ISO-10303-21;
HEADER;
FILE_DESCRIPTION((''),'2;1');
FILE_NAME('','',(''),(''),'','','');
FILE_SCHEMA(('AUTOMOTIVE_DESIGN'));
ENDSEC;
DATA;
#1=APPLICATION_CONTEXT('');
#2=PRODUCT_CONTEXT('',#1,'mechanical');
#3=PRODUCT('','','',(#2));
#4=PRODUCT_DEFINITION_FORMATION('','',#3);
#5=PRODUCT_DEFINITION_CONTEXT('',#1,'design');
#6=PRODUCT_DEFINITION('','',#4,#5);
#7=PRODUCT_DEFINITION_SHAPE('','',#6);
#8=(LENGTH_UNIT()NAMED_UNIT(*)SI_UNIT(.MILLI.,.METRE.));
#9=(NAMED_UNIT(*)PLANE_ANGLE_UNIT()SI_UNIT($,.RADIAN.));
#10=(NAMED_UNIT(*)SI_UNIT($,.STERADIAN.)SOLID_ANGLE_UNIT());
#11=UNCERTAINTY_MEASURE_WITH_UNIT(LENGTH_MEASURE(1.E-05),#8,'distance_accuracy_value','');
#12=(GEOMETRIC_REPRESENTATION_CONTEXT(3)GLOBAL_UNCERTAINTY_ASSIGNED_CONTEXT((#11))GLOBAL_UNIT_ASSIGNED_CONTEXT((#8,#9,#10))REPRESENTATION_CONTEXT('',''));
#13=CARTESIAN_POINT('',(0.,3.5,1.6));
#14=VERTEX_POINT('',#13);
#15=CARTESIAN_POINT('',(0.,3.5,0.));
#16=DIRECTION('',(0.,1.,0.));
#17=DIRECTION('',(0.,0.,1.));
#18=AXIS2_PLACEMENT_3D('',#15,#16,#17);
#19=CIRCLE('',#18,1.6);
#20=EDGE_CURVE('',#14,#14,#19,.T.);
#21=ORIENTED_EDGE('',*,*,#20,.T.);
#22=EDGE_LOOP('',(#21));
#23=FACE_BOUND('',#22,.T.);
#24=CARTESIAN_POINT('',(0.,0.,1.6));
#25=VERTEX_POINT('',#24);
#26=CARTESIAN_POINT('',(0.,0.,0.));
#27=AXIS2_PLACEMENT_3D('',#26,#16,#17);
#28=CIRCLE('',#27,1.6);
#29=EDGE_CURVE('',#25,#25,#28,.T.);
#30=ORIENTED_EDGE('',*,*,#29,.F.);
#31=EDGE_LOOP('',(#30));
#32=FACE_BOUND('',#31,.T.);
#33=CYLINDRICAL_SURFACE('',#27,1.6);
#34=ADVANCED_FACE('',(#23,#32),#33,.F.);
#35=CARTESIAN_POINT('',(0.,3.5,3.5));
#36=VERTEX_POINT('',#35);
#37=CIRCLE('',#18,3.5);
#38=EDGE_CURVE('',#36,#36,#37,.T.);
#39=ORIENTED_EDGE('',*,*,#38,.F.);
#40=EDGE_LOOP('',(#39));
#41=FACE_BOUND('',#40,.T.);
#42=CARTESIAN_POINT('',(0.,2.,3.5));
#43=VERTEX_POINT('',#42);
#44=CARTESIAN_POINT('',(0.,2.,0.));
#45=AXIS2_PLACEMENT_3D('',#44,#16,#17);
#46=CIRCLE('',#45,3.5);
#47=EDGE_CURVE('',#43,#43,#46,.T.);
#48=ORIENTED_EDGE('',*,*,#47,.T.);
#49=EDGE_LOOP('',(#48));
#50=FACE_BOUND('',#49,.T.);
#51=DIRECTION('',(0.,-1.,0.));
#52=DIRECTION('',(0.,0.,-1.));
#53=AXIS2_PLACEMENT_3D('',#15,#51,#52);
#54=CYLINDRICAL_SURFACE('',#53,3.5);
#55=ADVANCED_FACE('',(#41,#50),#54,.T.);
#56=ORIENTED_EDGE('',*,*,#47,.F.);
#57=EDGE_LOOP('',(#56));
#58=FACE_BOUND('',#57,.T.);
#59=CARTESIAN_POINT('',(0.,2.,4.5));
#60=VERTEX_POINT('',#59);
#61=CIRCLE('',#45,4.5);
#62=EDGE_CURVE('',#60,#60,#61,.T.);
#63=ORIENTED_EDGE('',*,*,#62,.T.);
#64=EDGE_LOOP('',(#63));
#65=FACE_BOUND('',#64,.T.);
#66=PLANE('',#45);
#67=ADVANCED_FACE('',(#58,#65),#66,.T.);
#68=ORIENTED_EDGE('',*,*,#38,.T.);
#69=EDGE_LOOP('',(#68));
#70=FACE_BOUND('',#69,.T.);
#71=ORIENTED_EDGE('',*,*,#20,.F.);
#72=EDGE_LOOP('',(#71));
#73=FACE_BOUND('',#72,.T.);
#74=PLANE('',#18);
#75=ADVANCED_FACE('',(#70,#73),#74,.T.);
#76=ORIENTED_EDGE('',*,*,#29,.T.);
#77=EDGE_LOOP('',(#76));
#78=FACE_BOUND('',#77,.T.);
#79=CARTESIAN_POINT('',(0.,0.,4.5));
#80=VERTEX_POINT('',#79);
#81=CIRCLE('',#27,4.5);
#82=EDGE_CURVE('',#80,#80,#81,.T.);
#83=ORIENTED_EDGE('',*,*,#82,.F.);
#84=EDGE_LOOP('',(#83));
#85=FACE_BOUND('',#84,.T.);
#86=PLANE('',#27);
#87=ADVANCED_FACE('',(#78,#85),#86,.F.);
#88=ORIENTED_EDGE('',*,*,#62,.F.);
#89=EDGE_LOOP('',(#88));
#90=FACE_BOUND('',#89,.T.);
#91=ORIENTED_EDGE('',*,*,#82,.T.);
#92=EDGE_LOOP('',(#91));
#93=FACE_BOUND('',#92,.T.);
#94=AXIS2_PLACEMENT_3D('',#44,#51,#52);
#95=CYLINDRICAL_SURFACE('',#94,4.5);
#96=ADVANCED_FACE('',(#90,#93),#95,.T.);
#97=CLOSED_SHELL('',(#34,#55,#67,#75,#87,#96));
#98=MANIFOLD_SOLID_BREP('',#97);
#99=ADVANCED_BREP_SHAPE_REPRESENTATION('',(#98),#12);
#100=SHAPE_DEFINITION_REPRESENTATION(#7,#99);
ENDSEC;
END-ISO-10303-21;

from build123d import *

# Parameters (mm, degrees)
SKETCH1_R           = 4.5
BOSS_EXTRUDE1_DEPTH = 2
SKETCH2_R           = 3.5
BOSS_EXTRUDE2_DEPTH = 1.5
SKETCH3_R           = 1.6
CUT_EXTRUDE1_DEPTH  = 4.5


with BuildPart() as part:
    # Sketch1 → Boss-Extrude1 (new body)
    with BuildSketch(Plane(origin=(0, 0, 0), x_dir=(1, 0, 0), z_dir=(0, 1, 0))):
        Circle(SKETCH1_R)
    extrude(amount=BOSS_EXTRUDE1_DEPTH)

    # Sketch2 → Boss-Extrude2 (add)
    with BuildSketch(Plane(origin=(0, 2, 0), x_dir=(1, 0, 0), z_dir=(0, 1, 0))):
        Circle(SKETCH2_R)
    extrude(amount=BOSS_EXTRUDE2_DEPTH)

    # Sketch3 → Cut-Extrude1 (cut, through all)
    with BuildSketch(Plane(origin=(0, 3.5, 0), x_dir=(1, 0, 0), z_dir=(0, 1, 0))):
        Circle(SKETCH3_R)
    extrude(amount=-CUT_EXTRUDE1_DEPTH, mode=Mode.SUBTRACT)


solid = part.part
